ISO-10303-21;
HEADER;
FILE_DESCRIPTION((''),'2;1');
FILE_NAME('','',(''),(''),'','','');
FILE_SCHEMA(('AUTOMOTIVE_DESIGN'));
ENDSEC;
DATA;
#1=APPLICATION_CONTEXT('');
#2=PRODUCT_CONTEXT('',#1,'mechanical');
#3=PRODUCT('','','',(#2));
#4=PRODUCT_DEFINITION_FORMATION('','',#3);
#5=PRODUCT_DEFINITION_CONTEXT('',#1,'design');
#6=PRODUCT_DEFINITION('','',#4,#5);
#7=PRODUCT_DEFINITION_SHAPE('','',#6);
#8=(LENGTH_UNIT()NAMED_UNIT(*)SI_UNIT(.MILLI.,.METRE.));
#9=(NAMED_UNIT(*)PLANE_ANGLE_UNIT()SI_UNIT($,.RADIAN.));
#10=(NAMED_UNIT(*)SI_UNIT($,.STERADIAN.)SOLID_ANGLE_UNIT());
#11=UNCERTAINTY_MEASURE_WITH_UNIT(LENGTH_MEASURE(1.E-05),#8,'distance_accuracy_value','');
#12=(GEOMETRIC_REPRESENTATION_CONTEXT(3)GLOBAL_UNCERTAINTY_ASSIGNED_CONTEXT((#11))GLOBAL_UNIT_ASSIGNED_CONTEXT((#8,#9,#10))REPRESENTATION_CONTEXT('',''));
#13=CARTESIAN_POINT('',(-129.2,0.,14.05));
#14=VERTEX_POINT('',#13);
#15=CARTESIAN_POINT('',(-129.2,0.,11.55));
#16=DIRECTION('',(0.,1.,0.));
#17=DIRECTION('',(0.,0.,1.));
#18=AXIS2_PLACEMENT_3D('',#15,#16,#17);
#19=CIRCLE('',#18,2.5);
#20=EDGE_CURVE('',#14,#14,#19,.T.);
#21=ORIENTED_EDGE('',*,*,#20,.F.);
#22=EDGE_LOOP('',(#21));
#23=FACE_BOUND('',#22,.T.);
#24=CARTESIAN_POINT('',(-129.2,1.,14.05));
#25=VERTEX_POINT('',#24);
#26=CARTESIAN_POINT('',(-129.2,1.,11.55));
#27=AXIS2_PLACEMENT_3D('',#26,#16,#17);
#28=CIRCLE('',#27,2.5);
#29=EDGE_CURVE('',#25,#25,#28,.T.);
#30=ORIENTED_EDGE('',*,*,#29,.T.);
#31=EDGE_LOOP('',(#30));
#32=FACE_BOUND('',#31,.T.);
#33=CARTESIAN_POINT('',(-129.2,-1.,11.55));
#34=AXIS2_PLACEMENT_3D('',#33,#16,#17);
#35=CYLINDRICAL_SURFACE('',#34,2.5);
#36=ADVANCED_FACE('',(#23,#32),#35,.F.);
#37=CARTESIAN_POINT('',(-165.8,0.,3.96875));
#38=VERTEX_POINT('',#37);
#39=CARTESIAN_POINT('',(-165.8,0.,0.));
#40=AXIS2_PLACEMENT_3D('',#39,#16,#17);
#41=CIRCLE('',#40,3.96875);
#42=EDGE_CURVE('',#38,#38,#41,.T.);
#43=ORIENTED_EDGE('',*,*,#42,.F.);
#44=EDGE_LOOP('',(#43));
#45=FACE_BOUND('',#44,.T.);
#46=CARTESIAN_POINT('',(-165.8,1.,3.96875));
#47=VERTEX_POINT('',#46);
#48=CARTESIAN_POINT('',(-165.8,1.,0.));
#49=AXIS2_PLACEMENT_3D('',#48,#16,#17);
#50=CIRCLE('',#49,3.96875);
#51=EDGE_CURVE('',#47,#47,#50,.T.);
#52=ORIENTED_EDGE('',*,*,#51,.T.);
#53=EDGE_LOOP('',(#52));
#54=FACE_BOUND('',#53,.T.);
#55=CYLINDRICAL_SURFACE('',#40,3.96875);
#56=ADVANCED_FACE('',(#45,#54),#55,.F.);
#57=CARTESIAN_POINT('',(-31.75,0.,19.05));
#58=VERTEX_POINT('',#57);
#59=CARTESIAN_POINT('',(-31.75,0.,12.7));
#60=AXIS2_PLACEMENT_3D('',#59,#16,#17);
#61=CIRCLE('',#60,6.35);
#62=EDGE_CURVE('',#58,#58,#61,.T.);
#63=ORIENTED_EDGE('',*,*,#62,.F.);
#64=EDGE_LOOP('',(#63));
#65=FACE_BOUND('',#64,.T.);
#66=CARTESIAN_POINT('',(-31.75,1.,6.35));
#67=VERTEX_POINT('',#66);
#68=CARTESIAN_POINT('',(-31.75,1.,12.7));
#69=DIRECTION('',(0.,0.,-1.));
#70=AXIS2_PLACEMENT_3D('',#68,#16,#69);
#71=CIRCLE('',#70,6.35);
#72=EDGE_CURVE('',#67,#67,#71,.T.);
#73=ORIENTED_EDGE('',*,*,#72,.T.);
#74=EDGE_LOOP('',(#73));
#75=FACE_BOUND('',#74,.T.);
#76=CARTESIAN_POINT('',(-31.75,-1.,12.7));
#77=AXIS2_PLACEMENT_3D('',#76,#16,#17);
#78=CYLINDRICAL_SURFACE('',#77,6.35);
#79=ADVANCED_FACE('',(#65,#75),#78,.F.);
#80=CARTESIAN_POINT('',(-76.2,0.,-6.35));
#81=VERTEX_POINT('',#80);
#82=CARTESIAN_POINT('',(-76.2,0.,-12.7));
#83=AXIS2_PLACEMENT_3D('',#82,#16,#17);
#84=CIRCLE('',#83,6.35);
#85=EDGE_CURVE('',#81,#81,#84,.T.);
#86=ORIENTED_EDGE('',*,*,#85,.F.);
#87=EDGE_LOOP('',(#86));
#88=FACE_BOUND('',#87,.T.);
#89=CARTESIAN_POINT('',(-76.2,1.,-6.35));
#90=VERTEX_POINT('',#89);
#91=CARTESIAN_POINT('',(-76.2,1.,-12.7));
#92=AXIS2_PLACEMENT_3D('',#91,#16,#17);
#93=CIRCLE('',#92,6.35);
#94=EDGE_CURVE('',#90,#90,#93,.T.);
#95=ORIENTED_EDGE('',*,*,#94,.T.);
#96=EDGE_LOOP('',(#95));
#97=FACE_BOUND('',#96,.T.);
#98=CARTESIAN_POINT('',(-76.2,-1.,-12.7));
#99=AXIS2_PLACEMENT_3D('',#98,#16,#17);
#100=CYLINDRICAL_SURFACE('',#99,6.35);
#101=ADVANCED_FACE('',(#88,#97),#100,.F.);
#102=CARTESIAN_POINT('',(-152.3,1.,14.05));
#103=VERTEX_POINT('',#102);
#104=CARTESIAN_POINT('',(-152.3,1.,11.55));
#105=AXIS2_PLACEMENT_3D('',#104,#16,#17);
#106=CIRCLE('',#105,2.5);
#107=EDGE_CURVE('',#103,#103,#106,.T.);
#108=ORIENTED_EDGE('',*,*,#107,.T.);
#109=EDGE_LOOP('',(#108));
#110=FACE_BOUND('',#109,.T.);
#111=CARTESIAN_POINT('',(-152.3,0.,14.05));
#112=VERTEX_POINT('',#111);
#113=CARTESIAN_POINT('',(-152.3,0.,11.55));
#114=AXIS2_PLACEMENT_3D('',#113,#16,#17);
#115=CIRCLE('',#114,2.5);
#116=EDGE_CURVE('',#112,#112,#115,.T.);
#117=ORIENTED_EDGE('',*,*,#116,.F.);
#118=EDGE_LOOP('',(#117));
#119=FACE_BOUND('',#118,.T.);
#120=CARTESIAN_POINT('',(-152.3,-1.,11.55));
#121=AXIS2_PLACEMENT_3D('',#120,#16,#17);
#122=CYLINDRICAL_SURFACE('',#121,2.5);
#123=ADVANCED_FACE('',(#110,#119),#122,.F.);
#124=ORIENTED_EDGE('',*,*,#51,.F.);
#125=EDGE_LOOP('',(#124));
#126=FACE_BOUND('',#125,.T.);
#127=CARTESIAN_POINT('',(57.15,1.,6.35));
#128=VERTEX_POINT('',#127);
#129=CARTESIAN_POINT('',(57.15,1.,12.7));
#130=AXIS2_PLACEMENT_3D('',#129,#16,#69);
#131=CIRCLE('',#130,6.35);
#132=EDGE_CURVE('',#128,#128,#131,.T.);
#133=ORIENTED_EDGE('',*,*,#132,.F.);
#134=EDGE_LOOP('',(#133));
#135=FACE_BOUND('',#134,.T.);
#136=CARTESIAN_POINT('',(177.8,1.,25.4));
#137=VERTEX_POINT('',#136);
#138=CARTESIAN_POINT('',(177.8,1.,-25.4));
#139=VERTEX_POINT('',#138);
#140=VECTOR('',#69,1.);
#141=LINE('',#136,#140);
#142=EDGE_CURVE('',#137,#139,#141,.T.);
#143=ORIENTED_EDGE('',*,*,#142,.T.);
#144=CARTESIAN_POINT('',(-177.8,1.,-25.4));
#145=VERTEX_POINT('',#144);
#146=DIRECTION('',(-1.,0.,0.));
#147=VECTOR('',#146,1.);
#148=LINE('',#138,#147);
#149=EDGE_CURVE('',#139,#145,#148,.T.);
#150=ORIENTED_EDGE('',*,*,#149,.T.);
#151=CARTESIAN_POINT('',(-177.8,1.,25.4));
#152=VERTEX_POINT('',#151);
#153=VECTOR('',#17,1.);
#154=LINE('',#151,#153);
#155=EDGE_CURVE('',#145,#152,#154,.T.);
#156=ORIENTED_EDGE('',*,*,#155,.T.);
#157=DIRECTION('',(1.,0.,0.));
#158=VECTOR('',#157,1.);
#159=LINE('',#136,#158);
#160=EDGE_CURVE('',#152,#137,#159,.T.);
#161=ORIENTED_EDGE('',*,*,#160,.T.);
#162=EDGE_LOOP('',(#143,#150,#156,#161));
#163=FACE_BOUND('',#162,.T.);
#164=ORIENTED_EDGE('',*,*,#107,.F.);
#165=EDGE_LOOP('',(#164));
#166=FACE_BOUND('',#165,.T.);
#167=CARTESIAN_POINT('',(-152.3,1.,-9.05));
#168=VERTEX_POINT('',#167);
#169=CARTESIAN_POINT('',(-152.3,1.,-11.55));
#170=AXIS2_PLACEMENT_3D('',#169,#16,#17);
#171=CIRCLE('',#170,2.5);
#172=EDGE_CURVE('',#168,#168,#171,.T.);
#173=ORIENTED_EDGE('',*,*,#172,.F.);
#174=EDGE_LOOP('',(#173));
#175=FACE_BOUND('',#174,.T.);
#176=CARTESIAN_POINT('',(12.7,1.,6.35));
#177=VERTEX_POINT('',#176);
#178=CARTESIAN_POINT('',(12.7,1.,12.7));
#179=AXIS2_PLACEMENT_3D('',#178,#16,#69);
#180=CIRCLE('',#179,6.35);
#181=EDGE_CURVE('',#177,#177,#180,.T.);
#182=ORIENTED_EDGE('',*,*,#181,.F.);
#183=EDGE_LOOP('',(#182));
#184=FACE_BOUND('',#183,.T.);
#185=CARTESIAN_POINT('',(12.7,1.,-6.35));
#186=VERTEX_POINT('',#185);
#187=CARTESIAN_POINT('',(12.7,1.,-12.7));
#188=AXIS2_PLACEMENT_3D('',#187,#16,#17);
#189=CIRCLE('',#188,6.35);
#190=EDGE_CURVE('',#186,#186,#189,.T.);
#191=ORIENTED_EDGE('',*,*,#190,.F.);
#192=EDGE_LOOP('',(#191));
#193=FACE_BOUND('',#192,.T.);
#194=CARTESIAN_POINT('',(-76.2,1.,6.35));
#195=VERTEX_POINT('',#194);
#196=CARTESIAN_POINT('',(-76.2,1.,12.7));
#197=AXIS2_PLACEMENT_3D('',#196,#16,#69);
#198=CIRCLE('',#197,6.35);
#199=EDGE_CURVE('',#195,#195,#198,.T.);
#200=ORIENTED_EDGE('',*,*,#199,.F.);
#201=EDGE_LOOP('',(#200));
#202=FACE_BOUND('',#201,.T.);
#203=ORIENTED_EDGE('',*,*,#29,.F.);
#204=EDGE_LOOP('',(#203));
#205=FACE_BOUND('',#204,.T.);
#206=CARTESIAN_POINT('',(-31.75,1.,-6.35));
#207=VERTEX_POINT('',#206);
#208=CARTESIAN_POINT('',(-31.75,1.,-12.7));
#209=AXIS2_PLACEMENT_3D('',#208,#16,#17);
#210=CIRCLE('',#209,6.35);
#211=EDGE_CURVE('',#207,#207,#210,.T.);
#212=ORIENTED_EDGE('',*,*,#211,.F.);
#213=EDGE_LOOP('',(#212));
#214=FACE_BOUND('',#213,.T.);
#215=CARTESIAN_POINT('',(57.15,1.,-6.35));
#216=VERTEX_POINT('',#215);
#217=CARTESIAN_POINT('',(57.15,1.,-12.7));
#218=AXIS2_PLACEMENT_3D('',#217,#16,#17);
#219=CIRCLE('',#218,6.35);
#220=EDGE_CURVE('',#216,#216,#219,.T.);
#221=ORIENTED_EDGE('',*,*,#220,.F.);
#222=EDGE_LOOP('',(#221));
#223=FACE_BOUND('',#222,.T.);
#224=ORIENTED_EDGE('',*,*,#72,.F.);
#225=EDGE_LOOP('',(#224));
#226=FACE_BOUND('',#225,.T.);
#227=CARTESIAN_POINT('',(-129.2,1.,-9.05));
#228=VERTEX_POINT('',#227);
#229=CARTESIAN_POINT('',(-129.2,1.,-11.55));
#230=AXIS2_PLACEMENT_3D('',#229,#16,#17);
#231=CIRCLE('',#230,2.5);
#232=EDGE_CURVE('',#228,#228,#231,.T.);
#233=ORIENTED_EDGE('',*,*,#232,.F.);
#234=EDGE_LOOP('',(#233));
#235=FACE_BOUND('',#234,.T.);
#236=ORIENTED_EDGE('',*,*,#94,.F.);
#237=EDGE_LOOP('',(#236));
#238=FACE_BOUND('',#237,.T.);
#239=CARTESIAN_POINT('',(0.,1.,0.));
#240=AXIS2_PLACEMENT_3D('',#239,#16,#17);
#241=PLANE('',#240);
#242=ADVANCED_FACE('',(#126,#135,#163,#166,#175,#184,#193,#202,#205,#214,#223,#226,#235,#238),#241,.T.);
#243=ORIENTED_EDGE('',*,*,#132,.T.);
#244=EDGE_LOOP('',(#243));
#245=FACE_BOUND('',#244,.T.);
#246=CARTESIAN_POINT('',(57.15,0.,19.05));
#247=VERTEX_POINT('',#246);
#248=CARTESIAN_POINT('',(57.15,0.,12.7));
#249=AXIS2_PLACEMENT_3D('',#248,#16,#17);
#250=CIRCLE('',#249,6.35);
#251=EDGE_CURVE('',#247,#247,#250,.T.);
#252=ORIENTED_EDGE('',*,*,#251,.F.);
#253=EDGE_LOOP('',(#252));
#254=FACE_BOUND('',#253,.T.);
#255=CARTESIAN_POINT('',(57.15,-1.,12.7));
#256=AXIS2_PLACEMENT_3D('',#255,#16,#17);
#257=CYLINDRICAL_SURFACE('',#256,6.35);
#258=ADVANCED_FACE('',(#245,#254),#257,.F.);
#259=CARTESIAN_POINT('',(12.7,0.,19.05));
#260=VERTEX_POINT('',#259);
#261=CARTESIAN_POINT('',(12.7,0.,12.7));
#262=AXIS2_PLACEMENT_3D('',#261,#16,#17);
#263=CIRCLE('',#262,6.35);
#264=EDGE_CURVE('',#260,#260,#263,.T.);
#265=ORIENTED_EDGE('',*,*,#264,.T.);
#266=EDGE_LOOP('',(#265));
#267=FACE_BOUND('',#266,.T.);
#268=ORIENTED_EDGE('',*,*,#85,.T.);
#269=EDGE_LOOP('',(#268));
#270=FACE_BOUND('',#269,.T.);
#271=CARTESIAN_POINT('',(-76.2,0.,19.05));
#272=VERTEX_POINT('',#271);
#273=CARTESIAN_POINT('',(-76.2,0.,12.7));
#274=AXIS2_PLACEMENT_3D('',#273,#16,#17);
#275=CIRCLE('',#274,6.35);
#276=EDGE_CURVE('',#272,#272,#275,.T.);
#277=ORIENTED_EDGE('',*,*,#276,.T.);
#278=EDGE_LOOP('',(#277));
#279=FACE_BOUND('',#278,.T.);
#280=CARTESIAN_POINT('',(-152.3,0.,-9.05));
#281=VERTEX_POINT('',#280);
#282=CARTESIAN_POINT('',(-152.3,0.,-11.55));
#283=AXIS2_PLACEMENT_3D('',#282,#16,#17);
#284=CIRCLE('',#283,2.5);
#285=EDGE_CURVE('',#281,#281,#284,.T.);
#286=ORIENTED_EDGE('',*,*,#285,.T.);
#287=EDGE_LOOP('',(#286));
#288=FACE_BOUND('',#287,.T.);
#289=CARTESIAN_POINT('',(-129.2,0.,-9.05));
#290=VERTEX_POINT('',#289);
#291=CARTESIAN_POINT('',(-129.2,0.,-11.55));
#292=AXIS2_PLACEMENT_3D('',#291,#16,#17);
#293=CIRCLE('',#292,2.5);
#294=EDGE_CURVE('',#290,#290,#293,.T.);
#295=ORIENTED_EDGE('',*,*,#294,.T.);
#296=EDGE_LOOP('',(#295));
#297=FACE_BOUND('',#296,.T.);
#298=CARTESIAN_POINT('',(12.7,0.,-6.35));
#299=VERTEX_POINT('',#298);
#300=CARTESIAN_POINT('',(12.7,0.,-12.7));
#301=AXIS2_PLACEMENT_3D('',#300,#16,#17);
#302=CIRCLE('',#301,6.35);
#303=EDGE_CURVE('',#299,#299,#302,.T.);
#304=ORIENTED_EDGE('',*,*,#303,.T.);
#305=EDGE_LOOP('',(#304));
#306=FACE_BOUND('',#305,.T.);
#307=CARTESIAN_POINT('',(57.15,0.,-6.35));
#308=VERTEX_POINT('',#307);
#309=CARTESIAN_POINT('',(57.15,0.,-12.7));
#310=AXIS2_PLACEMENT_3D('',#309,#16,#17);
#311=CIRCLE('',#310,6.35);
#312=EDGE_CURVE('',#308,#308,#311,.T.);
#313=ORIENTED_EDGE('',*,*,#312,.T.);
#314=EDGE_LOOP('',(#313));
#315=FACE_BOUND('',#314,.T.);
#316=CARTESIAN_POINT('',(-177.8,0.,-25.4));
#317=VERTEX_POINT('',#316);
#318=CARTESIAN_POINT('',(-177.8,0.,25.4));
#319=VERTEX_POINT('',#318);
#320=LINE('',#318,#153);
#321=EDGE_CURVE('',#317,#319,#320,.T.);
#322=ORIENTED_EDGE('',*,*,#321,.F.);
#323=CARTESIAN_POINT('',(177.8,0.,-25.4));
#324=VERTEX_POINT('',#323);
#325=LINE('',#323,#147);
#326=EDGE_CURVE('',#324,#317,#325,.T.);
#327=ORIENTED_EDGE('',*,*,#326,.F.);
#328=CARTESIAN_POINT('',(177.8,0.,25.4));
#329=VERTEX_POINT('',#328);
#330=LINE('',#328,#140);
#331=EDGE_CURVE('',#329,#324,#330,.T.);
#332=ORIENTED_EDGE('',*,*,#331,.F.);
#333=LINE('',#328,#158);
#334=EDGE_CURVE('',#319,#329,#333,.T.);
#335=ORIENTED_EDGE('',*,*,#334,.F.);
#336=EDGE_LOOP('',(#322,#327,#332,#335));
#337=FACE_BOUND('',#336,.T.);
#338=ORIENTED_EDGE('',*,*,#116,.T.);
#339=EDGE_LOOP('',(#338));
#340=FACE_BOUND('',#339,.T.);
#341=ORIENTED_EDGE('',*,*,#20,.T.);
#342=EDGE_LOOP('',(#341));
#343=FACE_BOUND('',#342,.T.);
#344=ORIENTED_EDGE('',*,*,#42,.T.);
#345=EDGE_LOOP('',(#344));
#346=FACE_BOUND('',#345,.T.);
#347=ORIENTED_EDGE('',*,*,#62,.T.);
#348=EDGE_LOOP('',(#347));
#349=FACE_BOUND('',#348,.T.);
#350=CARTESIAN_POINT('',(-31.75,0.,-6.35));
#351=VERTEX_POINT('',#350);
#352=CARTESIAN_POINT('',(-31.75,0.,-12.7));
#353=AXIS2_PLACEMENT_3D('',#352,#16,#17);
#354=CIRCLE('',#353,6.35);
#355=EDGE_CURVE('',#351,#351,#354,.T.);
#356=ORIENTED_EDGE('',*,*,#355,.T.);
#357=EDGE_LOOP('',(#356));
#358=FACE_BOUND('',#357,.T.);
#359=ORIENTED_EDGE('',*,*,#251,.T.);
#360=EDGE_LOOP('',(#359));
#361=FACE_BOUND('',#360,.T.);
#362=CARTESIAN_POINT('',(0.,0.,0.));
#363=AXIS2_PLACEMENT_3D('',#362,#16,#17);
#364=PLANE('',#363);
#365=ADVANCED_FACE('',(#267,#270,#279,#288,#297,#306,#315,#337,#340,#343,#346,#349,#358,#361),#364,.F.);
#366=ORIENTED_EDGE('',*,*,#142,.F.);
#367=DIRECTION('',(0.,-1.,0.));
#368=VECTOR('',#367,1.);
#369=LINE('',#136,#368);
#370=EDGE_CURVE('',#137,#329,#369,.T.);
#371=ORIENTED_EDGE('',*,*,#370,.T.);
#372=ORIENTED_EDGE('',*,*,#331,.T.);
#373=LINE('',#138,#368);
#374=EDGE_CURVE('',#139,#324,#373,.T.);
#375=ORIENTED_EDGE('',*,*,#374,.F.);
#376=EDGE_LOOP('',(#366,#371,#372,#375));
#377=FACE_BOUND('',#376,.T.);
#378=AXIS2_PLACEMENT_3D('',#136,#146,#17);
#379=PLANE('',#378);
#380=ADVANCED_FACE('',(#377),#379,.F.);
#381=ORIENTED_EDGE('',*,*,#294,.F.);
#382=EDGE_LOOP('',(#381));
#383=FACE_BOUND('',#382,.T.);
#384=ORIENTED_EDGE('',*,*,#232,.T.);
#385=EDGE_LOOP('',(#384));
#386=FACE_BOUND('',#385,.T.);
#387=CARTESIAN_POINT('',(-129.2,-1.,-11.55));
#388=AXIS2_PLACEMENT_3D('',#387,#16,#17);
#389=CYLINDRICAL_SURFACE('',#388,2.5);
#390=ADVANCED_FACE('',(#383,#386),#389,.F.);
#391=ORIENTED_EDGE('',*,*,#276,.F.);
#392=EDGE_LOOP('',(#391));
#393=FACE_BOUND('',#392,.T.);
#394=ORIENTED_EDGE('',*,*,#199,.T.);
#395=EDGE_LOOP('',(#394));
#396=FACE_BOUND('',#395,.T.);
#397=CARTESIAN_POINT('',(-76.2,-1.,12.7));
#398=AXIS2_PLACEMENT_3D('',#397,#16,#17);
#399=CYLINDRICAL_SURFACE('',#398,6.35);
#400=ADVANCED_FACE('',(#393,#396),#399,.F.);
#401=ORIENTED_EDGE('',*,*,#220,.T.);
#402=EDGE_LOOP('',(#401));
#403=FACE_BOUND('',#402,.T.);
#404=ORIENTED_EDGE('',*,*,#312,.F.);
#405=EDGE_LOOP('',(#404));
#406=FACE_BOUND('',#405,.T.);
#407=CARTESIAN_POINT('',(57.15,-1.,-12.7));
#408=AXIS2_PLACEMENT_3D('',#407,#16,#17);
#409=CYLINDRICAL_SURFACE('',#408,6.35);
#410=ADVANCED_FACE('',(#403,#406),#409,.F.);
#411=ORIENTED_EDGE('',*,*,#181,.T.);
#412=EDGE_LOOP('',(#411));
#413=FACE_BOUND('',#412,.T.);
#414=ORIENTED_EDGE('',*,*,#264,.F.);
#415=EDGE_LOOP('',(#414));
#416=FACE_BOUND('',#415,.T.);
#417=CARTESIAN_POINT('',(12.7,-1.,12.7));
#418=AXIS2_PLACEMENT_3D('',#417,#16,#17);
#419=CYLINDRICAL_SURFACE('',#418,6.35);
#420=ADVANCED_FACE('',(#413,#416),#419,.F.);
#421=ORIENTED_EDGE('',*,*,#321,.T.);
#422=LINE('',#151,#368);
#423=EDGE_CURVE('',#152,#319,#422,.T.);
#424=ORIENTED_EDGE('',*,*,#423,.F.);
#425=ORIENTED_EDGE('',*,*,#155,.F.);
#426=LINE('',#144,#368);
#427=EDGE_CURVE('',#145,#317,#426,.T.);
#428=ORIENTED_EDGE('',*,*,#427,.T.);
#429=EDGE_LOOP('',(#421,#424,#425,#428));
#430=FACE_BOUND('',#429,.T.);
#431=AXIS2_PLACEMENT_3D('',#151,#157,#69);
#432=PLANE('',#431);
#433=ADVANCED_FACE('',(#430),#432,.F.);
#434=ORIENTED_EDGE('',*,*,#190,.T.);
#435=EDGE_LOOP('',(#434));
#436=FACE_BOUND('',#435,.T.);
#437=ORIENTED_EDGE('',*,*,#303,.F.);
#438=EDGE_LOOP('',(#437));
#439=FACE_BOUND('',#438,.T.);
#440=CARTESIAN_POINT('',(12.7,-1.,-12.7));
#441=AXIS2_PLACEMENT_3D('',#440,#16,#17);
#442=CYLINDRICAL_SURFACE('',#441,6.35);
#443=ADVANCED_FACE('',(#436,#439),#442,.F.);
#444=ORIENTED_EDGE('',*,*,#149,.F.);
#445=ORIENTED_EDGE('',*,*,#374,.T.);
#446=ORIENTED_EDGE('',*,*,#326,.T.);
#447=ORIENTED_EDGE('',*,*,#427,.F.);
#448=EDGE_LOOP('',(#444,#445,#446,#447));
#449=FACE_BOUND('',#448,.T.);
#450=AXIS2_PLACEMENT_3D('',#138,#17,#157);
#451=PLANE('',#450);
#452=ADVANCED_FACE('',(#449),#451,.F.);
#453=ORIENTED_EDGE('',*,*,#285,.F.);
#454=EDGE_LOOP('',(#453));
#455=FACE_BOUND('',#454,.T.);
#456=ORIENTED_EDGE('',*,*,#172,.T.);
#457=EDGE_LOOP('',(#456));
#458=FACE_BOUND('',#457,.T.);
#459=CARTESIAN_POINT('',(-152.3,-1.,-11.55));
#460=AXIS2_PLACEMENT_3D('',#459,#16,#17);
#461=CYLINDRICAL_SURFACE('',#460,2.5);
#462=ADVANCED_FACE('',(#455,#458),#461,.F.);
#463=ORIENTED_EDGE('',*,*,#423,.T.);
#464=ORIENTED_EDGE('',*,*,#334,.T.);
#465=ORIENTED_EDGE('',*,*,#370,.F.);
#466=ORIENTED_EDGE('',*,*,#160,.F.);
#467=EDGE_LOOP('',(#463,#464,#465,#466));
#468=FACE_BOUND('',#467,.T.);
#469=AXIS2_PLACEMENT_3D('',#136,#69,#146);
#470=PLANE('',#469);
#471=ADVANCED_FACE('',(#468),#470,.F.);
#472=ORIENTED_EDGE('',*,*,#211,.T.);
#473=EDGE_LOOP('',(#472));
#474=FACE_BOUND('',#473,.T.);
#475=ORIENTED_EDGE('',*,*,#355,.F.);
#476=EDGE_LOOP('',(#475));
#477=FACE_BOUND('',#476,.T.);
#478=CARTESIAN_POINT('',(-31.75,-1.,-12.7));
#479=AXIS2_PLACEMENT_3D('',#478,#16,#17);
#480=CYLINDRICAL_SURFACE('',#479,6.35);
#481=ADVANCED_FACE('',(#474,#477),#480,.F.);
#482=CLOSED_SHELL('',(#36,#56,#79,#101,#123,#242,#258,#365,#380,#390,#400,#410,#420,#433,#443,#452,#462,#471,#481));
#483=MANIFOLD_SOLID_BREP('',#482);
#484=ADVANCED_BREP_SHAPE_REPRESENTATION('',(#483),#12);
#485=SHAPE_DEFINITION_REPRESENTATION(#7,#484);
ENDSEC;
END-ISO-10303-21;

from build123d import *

# Parameters (mm, degrees)
ESQUISSE1_W             = 355.6
ESQUISSE1_H             = 50.8
BOSS_EXTRU_1_DEPTH      = 1
ESQUISSE2_R             = 3.96875
ENL_V_MAT_EXTRU_1_DEPTH = 1
ESQUISSE3_R             = 2.5
ENL_V_MAT_EXTRU_2_DEPTH = 2
ESQUISSE4_R             = 6.35
ENL_V_MAT_EXTRU_3_DEPTH = 2


with BuildPart() as part:
    # Esquisse1 → Boss.-Extru.1 (new body)
    with BuildSketch(Plane(origin=(0, 0, 0), x_dir=(1, 0, 0), z_dir=(0, 1, 0))):
        Rectangle(ESQUISSE1_W, ESQUISSE1_H)
    extrude(amount=BOSS_EXTRU_1_DEPTH)

    # Esquisse2 → Enlèv. mat.-Extru.1 (cut)
    with BuildSketch(Plane(origin=(0, 1, 0), x_dir=(1, 0, 0), z_dir=(0, 1, 0))):
        with Locations((-165.8, 0)):
            Circle(ESQUISSE2_R)
    extrude(amount=-ENL_V_MAT_EXTRU_1_DEPTH, mode=Mode.SUBTRACT)

    # Esquisse3 → Enlèv. mat.-Extru.2 (cut)
    with BuildSketch(Plane(origin=(0, 1, 0), x_dir=(1, 0, 0), z_dir=(0, 1, 0))):
        with Locations((-152.3, 11.55)):
            Circle(ESQUISSE3_R)
        with Locations((-129.2, 11.55)):
            Circle(ESQUISSE3_R)
        with Locations((-129.2, -11.55)):
            Circle(ESQUISSE3_R)
        with Locations((-152.3, -11.55)):
            Circle(ESQUISSE3_R)
    extrude(amount=-ENL_V_MAT_EXTRU_2_DEPTH, mode=Mode.SUBTRACT)

    # Esquisse4 → Enlèv. mat.-Extru.3 (cut)
    with BuildSketch(Plane(origin=(0, 1, 0), x_dir=(1, 0, 0), z_dir=(0, 1, 0))):
        with Locations((-76.2, 12.7)):
            Circle(ESQUISSE4_R)
        with Locations((12.7, 12.7)):
            Circle(ESQUISSE4_R)
        with Locations((12.7, -12.7)):
            Circle(ESQUISSE4_R)
        with Locations((-76.2, -12.7)):
            Circle(ESQUISSE4_R)
        with Locations((-31.75, 12.7)):
            Circle(ESQUISSE4_R)
        with Locations((57.15, 12.7)):
            Circle(ESQUISSE4_R)
        with Locations((57.15, -12.7)):
            Circle(ESQUISSE4_R)
        with Locations((-31.75, -12.7)):
            Circle(ESQUISSE4_R)
    extrude(amount=-ENL_V_MAT_EXTRU_3_DEPTH, mode=Mode.SUBTRACT)


solid = part.part
